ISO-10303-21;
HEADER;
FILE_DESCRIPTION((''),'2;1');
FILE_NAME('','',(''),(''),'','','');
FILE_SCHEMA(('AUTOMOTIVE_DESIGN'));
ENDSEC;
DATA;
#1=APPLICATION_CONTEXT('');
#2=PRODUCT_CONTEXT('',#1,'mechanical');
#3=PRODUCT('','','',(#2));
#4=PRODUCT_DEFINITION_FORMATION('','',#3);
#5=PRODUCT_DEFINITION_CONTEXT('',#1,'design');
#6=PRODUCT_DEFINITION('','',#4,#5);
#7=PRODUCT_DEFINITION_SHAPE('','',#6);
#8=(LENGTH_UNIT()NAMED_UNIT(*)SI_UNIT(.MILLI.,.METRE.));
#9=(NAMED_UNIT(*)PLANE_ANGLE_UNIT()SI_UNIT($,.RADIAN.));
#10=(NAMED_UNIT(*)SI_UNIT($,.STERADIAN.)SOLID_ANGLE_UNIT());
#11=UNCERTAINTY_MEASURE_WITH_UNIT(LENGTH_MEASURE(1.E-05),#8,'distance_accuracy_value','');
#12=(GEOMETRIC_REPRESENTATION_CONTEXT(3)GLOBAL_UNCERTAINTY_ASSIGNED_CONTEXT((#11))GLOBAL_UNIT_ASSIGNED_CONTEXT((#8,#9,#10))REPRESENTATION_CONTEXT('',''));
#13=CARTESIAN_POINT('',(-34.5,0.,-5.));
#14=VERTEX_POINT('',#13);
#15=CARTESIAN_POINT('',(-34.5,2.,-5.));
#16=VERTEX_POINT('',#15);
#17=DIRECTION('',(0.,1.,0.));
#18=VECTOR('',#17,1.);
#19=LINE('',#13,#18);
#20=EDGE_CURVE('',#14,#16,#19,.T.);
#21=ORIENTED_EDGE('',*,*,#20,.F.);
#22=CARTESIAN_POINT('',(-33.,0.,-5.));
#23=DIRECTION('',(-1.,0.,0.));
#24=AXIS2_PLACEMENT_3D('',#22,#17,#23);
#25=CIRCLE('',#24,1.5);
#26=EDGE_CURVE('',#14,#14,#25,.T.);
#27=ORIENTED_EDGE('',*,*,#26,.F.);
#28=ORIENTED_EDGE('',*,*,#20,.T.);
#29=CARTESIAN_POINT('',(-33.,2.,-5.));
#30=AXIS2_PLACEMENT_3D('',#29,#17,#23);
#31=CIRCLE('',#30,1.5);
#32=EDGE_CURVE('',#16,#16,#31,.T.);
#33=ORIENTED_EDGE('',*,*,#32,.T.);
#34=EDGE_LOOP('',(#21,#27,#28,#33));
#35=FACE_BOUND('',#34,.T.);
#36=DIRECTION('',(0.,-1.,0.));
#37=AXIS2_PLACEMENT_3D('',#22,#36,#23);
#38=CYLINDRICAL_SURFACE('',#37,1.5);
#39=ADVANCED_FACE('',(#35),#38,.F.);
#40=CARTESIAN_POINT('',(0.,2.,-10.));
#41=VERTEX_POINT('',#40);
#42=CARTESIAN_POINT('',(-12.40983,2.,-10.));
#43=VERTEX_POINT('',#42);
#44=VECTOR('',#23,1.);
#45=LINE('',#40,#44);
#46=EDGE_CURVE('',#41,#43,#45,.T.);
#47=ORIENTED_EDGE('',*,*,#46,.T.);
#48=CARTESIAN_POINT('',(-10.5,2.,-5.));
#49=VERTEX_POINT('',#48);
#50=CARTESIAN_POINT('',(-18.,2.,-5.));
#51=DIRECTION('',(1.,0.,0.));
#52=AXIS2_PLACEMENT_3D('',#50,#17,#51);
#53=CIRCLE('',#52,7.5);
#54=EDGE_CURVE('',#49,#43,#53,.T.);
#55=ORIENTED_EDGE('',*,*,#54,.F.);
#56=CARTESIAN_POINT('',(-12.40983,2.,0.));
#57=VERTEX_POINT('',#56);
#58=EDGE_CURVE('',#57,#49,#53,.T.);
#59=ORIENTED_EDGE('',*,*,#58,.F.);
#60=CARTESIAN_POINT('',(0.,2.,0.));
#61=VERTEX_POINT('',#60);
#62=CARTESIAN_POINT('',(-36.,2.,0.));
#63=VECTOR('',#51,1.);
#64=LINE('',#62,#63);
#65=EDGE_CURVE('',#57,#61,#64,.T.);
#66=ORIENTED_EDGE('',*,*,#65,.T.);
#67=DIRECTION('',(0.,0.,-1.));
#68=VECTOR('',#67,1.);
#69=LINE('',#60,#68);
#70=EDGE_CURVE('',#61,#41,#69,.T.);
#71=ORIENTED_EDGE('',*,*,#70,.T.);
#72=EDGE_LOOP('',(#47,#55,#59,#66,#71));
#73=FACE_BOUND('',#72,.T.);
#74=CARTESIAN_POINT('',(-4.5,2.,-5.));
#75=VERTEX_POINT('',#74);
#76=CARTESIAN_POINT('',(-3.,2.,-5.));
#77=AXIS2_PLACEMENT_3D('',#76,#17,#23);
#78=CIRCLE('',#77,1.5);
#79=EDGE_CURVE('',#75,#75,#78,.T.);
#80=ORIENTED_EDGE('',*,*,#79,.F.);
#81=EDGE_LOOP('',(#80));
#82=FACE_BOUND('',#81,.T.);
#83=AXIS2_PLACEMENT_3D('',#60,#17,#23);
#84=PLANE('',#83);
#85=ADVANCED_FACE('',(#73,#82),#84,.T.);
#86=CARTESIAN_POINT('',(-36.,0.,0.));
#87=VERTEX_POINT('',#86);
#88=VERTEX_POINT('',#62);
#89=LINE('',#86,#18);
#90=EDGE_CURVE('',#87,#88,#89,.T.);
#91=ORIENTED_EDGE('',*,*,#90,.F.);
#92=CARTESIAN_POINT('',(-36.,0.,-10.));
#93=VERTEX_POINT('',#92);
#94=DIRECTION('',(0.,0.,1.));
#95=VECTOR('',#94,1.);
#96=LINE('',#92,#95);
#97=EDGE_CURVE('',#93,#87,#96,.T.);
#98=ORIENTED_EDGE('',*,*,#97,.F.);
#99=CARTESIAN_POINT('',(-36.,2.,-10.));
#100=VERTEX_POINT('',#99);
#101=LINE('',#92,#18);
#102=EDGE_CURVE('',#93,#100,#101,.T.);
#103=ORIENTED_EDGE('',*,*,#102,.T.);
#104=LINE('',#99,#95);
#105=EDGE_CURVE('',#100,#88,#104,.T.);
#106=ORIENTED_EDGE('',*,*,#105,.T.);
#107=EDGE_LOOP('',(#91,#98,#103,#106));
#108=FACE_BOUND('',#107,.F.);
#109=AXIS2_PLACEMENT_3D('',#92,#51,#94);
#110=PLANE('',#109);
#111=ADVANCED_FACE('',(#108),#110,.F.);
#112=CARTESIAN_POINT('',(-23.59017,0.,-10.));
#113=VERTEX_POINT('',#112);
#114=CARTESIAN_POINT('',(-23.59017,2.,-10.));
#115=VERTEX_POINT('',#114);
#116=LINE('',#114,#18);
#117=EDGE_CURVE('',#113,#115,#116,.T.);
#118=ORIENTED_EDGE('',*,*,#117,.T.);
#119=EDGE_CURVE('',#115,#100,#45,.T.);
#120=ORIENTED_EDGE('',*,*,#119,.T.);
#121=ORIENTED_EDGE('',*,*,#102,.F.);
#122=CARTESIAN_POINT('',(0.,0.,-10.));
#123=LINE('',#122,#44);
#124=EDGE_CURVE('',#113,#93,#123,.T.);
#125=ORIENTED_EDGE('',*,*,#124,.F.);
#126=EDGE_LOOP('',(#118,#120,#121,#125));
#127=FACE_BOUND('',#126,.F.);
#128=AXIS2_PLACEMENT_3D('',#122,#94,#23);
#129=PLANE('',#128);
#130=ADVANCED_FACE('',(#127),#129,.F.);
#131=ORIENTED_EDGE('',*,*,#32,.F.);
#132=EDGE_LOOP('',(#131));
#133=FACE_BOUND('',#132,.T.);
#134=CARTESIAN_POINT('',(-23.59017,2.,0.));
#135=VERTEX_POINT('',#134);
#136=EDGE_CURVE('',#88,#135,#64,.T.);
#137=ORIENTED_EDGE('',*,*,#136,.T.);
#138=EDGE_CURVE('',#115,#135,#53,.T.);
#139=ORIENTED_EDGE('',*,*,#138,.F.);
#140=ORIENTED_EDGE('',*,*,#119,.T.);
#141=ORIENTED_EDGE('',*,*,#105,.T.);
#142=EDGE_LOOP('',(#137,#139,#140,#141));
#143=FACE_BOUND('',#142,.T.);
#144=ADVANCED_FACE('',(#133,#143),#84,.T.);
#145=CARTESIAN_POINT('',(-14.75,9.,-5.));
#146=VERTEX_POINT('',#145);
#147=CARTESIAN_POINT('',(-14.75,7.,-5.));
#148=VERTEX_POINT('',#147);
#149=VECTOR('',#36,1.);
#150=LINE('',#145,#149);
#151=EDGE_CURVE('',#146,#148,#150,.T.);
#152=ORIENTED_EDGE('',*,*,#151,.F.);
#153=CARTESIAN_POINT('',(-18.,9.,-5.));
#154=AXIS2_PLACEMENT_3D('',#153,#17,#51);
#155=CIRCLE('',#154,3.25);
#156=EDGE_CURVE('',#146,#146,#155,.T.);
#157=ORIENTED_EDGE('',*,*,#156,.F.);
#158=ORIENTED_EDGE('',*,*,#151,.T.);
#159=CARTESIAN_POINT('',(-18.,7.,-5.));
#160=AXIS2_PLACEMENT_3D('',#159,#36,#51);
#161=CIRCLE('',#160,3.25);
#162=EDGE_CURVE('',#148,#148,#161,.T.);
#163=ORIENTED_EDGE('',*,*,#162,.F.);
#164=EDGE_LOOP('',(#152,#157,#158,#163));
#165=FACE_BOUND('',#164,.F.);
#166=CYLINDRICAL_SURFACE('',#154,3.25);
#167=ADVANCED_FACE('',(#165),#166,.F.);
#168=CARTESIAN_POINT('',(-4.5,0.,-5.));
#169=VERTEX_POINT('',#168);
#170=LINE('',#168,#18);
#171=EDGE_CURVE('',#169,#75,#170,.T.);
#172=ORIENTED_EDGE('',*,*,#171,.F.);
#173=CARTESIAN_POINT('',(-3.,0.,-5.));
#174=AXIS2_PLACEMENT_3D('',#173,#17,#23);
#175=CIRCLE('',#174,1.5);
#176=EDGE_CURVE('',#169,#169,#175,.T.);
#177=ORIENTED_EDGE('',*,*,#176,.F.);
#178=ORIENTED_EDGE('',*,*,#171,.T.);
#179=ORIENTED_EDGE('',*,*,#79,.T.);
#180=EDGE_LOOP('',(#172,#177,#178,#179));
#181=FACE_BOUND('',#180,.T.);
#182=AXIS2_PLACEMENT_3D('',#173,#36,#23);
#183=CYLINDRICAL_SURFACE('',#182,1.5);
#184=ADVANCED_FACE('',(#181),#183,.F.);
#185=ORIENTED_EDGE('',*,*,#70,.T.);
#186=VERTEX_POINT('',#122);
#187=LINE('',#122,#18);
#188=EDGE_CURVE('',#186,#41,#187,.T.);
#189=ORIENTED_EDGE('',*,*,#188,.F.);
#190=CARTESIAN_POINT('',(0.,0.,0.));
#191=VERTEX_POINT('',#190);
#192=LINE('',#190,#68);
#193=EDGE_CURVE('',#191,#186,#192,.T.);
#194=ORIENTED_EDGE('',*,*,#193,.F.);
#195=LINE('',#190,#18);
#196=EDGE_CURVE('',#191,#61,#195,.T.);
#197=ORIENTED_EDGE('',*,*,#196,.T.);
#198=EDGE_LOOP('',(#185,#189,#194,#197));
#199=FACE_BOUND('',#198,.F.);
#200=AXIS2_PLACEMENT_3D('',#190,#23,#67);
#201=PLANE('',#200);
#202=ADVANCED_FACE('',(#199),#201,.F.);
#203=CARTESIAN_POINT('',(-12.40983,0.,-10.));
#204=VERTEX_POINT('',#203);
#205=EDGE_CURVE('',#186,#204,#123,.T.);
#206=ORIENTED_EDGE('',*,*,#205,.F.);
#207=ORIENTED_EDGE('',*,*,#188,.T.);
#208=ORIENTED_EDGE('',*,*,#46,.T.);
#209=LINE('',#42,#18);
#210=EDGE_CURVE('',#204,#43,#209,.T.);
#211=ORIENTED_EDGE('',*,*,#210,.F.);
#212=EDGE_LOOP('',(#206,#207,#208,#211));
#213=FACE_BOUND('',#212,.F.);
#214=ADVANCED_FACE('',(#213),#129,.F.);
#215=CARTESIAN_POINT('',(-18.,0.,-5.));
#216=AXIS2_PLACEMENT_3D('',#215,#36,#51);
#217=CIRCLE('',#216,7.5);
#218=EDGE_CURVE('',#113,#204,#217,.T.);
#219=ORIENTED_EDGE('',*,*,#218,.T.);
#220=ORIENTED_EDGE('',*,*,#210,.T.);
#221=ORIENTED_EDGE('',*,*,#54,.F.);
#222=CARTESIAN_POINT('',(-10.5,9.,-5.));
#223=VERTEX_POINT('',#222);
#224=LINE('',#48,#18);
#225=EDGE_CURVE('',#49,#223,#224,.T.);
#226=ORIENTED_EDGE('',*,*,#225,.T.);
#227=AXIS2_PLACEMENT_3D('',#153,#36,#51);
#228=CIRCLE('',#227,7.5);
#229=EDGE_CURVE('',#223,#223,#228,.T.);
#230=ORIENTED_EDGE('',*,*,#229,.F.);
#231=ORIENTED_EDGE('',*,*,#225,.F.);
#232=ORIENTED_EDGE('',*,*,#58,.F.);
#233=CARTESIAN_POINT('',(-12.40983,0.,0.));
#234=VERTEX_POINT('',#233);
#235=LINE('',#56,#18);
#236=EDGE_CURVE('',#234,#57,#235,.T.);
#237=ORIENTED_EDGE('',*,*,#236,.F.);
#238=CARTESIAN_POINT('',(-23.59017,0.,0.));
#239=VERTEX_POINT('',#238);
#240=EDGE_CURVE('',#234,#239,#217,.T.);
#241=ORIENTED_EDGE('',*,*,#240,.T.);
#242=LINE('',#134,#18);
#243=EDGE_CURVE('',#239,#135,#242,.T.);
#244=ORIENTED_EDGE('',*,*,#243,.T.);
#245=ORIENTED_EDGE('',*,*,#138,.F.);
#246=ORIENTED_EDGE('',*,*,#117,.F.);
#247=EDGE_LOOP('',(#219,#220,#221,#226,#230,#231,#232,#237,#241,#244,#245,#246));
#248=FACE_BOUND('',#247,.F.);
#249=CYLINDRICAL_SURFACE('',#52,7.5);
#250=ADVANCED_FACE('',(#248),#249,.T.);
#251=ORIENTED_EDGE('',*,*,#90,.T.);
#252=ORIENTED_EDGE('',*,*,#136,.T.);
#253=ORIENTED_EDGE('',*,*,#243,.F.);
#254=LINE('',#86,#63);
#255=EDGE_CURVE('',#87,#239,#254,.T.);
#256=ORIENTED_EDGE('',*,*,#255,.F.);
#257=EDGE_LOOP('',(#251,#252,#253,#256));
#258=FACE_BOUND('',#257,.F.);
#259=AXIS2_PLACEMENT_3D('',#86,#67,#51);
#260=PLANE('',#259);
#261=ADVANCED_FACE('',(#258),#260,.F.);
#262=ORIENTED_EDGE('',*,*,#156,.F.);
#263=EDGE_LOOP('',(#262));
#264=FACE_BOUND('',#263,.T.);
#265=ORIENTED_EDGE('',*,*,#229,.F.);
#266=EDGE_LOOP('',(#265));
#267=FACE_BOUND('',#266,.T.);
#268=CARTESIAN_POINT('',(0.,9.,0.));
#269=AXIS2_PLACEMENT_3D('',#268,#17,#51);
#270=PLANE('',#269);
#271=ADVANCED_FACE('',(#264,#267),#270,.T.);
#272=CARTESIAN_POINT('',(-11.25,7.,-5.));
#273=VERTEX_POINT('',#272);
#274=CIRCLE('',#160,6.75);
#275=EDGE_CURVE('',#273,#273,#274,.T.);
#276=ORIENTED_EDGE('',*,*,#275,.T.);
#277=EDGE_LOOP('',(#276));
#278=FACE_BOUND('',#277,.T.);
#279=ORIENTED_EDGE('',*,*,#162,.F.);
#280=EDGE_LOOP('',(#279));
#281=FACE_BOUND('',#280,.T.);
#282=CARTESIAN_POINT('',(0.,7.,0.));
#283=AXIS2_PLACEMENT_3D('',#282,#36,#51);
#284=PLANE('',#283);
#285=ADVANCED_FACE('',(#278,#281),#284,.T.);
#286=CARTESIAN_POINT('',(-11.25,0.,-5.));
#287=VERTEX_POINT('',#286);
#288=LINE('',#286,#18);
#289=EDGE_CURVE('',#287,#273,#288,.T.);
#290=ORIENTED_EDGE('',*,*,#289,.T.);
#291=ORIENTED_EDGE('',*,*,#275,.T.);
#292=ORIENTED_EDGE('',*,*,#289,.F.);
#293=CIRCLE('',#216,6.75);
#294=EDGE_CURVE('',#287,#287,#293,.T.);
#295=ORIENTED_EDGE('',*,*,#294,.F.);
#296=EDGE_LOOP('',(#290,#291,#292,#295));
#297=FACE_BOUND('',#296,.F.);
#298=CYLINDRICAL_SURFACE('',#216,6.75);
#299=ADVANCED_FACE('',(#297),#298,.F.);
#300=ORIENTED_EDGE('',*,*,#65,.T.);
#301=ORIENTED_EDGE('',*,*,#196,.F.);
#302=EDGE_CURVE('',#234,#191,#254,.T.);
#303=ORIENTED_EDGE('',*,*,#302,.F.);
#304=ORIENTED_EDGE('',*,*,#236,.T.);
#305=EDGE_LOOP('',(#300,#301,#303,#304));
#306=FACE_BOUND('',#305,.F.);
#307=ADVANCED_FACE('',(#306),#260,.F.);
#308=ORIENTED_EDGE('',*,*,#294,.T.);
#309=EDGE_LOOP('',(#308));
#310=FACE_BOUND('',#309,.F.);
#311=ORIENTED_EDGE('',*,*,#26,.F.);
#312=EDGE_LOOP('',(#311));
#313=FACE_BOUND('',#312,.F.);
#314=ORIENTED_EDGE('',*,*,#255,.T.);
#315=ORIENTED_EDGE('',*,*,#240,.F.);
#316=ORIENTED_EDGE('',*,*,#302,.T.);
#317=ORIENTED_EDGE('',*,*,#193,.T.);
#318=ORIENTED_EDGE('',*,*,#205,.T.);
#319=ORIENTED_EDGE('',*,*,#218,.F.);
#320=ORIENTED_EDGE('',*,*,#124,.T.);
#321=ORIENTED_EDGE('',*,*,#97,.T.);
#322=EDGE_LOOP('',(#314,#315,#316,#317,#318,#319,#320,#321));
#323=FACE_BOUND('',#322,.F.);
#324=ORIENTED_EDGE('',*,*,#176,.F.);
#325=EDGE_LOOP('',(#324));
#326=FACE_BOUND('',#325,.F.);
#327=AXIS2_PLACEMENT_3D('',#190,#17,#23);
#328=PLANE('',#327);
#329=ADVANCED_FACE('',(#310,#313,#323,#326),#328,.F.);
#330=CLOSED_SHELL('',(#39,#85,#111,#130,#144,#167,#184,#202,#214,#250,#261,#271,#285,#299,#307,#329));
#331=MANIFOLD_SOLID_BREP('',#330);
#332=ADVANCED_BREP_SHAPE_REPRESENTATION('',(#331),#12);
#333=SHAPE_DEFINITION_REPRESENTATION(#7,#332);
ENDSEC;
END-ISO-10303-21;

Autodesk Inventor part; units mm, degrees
ref_plane "YZ Plane" through (0, 0, 0) normal (1, 0, 0) x (0, 1, 0)
ref_plane "XZ Plane" through (0, 0, 0) normal (0, 1, 0) x (-1, 0, 0)
ref_plane "XY Plane" through (0, 0, 0) normal (0, 0, 1) x (1, 0, 0)
sketch "Sketch1" plane through (0, 0, 0) normal (0, 1, 0) x (-1, 0, 0)
  line L0 (0, 0) -> (0, -10)
  line L1 (0, -10) -> (36, -10)
  line L2 (36, -10) -> (36, 0)
  line L3 (36, 0) -> (0, 0)
  circle A0 centre (33, -5) radius 1.5
  circle A1 centre (3, -5) radius 1.5
  dimension "d0" = 10
  dimension "d1" = 36
extrude "Extrusion1" add sketch "Sketch1" along normal blind 2
sketch "Sketch2" plane through (0, 2, 0) normal (0, 1, 0) x (1, 0, 0)
  line L0 (-36, 0) -> (0, 0) projected
  line L1 (-18, 0) -> (-18, 10)
  line L2 (0, 10) -> (-36, 10) projected
  circle A0 centre (-18, 5) radius 7.5
  dimension "d6" = 15
extrude "Extrusion2" add sketch "Sketch2" along normal blind 7
sketch "Sketch5" plane through (0, 2, 0) normal (0, -1, 0) x (1, 0, 0)
  arc A0 (-13.4654, 0) -> (-22.5346, 0) centre (-18, -5) ccw projected
  circle A1 centre (-18, -5) radius 7.5
  point P0 (0, 0)
extrude "Extrusion5" add sketch "Sketch5" along normal blind 2
sketch "Sketch8" plane through (-18, 9, -5) normal (0, 1, 0) x (1, 0, 0)
  circle A0 centre (0, 0) radius 3.25
  point P0 (18, -5)
  dimension "d19" = 6.5
extrude "Extrusion7" cut sketch "Sketch8" against normal up to next
sketch "Sketch9" plane through (0, 0, 0) normal (0, -1, 0) x (1, 0, 0)
  circle A0 centre (-18, -5) radius 3.25 projected
  circle A1 centre (-18, -5) radius 6.75
  point P0 (0, 0)
  dimension "d22" = 13.5
extrude "Extrusion8" cut sketch "Sketch9" against normal blind 7
properties part number "LED_mount2"
